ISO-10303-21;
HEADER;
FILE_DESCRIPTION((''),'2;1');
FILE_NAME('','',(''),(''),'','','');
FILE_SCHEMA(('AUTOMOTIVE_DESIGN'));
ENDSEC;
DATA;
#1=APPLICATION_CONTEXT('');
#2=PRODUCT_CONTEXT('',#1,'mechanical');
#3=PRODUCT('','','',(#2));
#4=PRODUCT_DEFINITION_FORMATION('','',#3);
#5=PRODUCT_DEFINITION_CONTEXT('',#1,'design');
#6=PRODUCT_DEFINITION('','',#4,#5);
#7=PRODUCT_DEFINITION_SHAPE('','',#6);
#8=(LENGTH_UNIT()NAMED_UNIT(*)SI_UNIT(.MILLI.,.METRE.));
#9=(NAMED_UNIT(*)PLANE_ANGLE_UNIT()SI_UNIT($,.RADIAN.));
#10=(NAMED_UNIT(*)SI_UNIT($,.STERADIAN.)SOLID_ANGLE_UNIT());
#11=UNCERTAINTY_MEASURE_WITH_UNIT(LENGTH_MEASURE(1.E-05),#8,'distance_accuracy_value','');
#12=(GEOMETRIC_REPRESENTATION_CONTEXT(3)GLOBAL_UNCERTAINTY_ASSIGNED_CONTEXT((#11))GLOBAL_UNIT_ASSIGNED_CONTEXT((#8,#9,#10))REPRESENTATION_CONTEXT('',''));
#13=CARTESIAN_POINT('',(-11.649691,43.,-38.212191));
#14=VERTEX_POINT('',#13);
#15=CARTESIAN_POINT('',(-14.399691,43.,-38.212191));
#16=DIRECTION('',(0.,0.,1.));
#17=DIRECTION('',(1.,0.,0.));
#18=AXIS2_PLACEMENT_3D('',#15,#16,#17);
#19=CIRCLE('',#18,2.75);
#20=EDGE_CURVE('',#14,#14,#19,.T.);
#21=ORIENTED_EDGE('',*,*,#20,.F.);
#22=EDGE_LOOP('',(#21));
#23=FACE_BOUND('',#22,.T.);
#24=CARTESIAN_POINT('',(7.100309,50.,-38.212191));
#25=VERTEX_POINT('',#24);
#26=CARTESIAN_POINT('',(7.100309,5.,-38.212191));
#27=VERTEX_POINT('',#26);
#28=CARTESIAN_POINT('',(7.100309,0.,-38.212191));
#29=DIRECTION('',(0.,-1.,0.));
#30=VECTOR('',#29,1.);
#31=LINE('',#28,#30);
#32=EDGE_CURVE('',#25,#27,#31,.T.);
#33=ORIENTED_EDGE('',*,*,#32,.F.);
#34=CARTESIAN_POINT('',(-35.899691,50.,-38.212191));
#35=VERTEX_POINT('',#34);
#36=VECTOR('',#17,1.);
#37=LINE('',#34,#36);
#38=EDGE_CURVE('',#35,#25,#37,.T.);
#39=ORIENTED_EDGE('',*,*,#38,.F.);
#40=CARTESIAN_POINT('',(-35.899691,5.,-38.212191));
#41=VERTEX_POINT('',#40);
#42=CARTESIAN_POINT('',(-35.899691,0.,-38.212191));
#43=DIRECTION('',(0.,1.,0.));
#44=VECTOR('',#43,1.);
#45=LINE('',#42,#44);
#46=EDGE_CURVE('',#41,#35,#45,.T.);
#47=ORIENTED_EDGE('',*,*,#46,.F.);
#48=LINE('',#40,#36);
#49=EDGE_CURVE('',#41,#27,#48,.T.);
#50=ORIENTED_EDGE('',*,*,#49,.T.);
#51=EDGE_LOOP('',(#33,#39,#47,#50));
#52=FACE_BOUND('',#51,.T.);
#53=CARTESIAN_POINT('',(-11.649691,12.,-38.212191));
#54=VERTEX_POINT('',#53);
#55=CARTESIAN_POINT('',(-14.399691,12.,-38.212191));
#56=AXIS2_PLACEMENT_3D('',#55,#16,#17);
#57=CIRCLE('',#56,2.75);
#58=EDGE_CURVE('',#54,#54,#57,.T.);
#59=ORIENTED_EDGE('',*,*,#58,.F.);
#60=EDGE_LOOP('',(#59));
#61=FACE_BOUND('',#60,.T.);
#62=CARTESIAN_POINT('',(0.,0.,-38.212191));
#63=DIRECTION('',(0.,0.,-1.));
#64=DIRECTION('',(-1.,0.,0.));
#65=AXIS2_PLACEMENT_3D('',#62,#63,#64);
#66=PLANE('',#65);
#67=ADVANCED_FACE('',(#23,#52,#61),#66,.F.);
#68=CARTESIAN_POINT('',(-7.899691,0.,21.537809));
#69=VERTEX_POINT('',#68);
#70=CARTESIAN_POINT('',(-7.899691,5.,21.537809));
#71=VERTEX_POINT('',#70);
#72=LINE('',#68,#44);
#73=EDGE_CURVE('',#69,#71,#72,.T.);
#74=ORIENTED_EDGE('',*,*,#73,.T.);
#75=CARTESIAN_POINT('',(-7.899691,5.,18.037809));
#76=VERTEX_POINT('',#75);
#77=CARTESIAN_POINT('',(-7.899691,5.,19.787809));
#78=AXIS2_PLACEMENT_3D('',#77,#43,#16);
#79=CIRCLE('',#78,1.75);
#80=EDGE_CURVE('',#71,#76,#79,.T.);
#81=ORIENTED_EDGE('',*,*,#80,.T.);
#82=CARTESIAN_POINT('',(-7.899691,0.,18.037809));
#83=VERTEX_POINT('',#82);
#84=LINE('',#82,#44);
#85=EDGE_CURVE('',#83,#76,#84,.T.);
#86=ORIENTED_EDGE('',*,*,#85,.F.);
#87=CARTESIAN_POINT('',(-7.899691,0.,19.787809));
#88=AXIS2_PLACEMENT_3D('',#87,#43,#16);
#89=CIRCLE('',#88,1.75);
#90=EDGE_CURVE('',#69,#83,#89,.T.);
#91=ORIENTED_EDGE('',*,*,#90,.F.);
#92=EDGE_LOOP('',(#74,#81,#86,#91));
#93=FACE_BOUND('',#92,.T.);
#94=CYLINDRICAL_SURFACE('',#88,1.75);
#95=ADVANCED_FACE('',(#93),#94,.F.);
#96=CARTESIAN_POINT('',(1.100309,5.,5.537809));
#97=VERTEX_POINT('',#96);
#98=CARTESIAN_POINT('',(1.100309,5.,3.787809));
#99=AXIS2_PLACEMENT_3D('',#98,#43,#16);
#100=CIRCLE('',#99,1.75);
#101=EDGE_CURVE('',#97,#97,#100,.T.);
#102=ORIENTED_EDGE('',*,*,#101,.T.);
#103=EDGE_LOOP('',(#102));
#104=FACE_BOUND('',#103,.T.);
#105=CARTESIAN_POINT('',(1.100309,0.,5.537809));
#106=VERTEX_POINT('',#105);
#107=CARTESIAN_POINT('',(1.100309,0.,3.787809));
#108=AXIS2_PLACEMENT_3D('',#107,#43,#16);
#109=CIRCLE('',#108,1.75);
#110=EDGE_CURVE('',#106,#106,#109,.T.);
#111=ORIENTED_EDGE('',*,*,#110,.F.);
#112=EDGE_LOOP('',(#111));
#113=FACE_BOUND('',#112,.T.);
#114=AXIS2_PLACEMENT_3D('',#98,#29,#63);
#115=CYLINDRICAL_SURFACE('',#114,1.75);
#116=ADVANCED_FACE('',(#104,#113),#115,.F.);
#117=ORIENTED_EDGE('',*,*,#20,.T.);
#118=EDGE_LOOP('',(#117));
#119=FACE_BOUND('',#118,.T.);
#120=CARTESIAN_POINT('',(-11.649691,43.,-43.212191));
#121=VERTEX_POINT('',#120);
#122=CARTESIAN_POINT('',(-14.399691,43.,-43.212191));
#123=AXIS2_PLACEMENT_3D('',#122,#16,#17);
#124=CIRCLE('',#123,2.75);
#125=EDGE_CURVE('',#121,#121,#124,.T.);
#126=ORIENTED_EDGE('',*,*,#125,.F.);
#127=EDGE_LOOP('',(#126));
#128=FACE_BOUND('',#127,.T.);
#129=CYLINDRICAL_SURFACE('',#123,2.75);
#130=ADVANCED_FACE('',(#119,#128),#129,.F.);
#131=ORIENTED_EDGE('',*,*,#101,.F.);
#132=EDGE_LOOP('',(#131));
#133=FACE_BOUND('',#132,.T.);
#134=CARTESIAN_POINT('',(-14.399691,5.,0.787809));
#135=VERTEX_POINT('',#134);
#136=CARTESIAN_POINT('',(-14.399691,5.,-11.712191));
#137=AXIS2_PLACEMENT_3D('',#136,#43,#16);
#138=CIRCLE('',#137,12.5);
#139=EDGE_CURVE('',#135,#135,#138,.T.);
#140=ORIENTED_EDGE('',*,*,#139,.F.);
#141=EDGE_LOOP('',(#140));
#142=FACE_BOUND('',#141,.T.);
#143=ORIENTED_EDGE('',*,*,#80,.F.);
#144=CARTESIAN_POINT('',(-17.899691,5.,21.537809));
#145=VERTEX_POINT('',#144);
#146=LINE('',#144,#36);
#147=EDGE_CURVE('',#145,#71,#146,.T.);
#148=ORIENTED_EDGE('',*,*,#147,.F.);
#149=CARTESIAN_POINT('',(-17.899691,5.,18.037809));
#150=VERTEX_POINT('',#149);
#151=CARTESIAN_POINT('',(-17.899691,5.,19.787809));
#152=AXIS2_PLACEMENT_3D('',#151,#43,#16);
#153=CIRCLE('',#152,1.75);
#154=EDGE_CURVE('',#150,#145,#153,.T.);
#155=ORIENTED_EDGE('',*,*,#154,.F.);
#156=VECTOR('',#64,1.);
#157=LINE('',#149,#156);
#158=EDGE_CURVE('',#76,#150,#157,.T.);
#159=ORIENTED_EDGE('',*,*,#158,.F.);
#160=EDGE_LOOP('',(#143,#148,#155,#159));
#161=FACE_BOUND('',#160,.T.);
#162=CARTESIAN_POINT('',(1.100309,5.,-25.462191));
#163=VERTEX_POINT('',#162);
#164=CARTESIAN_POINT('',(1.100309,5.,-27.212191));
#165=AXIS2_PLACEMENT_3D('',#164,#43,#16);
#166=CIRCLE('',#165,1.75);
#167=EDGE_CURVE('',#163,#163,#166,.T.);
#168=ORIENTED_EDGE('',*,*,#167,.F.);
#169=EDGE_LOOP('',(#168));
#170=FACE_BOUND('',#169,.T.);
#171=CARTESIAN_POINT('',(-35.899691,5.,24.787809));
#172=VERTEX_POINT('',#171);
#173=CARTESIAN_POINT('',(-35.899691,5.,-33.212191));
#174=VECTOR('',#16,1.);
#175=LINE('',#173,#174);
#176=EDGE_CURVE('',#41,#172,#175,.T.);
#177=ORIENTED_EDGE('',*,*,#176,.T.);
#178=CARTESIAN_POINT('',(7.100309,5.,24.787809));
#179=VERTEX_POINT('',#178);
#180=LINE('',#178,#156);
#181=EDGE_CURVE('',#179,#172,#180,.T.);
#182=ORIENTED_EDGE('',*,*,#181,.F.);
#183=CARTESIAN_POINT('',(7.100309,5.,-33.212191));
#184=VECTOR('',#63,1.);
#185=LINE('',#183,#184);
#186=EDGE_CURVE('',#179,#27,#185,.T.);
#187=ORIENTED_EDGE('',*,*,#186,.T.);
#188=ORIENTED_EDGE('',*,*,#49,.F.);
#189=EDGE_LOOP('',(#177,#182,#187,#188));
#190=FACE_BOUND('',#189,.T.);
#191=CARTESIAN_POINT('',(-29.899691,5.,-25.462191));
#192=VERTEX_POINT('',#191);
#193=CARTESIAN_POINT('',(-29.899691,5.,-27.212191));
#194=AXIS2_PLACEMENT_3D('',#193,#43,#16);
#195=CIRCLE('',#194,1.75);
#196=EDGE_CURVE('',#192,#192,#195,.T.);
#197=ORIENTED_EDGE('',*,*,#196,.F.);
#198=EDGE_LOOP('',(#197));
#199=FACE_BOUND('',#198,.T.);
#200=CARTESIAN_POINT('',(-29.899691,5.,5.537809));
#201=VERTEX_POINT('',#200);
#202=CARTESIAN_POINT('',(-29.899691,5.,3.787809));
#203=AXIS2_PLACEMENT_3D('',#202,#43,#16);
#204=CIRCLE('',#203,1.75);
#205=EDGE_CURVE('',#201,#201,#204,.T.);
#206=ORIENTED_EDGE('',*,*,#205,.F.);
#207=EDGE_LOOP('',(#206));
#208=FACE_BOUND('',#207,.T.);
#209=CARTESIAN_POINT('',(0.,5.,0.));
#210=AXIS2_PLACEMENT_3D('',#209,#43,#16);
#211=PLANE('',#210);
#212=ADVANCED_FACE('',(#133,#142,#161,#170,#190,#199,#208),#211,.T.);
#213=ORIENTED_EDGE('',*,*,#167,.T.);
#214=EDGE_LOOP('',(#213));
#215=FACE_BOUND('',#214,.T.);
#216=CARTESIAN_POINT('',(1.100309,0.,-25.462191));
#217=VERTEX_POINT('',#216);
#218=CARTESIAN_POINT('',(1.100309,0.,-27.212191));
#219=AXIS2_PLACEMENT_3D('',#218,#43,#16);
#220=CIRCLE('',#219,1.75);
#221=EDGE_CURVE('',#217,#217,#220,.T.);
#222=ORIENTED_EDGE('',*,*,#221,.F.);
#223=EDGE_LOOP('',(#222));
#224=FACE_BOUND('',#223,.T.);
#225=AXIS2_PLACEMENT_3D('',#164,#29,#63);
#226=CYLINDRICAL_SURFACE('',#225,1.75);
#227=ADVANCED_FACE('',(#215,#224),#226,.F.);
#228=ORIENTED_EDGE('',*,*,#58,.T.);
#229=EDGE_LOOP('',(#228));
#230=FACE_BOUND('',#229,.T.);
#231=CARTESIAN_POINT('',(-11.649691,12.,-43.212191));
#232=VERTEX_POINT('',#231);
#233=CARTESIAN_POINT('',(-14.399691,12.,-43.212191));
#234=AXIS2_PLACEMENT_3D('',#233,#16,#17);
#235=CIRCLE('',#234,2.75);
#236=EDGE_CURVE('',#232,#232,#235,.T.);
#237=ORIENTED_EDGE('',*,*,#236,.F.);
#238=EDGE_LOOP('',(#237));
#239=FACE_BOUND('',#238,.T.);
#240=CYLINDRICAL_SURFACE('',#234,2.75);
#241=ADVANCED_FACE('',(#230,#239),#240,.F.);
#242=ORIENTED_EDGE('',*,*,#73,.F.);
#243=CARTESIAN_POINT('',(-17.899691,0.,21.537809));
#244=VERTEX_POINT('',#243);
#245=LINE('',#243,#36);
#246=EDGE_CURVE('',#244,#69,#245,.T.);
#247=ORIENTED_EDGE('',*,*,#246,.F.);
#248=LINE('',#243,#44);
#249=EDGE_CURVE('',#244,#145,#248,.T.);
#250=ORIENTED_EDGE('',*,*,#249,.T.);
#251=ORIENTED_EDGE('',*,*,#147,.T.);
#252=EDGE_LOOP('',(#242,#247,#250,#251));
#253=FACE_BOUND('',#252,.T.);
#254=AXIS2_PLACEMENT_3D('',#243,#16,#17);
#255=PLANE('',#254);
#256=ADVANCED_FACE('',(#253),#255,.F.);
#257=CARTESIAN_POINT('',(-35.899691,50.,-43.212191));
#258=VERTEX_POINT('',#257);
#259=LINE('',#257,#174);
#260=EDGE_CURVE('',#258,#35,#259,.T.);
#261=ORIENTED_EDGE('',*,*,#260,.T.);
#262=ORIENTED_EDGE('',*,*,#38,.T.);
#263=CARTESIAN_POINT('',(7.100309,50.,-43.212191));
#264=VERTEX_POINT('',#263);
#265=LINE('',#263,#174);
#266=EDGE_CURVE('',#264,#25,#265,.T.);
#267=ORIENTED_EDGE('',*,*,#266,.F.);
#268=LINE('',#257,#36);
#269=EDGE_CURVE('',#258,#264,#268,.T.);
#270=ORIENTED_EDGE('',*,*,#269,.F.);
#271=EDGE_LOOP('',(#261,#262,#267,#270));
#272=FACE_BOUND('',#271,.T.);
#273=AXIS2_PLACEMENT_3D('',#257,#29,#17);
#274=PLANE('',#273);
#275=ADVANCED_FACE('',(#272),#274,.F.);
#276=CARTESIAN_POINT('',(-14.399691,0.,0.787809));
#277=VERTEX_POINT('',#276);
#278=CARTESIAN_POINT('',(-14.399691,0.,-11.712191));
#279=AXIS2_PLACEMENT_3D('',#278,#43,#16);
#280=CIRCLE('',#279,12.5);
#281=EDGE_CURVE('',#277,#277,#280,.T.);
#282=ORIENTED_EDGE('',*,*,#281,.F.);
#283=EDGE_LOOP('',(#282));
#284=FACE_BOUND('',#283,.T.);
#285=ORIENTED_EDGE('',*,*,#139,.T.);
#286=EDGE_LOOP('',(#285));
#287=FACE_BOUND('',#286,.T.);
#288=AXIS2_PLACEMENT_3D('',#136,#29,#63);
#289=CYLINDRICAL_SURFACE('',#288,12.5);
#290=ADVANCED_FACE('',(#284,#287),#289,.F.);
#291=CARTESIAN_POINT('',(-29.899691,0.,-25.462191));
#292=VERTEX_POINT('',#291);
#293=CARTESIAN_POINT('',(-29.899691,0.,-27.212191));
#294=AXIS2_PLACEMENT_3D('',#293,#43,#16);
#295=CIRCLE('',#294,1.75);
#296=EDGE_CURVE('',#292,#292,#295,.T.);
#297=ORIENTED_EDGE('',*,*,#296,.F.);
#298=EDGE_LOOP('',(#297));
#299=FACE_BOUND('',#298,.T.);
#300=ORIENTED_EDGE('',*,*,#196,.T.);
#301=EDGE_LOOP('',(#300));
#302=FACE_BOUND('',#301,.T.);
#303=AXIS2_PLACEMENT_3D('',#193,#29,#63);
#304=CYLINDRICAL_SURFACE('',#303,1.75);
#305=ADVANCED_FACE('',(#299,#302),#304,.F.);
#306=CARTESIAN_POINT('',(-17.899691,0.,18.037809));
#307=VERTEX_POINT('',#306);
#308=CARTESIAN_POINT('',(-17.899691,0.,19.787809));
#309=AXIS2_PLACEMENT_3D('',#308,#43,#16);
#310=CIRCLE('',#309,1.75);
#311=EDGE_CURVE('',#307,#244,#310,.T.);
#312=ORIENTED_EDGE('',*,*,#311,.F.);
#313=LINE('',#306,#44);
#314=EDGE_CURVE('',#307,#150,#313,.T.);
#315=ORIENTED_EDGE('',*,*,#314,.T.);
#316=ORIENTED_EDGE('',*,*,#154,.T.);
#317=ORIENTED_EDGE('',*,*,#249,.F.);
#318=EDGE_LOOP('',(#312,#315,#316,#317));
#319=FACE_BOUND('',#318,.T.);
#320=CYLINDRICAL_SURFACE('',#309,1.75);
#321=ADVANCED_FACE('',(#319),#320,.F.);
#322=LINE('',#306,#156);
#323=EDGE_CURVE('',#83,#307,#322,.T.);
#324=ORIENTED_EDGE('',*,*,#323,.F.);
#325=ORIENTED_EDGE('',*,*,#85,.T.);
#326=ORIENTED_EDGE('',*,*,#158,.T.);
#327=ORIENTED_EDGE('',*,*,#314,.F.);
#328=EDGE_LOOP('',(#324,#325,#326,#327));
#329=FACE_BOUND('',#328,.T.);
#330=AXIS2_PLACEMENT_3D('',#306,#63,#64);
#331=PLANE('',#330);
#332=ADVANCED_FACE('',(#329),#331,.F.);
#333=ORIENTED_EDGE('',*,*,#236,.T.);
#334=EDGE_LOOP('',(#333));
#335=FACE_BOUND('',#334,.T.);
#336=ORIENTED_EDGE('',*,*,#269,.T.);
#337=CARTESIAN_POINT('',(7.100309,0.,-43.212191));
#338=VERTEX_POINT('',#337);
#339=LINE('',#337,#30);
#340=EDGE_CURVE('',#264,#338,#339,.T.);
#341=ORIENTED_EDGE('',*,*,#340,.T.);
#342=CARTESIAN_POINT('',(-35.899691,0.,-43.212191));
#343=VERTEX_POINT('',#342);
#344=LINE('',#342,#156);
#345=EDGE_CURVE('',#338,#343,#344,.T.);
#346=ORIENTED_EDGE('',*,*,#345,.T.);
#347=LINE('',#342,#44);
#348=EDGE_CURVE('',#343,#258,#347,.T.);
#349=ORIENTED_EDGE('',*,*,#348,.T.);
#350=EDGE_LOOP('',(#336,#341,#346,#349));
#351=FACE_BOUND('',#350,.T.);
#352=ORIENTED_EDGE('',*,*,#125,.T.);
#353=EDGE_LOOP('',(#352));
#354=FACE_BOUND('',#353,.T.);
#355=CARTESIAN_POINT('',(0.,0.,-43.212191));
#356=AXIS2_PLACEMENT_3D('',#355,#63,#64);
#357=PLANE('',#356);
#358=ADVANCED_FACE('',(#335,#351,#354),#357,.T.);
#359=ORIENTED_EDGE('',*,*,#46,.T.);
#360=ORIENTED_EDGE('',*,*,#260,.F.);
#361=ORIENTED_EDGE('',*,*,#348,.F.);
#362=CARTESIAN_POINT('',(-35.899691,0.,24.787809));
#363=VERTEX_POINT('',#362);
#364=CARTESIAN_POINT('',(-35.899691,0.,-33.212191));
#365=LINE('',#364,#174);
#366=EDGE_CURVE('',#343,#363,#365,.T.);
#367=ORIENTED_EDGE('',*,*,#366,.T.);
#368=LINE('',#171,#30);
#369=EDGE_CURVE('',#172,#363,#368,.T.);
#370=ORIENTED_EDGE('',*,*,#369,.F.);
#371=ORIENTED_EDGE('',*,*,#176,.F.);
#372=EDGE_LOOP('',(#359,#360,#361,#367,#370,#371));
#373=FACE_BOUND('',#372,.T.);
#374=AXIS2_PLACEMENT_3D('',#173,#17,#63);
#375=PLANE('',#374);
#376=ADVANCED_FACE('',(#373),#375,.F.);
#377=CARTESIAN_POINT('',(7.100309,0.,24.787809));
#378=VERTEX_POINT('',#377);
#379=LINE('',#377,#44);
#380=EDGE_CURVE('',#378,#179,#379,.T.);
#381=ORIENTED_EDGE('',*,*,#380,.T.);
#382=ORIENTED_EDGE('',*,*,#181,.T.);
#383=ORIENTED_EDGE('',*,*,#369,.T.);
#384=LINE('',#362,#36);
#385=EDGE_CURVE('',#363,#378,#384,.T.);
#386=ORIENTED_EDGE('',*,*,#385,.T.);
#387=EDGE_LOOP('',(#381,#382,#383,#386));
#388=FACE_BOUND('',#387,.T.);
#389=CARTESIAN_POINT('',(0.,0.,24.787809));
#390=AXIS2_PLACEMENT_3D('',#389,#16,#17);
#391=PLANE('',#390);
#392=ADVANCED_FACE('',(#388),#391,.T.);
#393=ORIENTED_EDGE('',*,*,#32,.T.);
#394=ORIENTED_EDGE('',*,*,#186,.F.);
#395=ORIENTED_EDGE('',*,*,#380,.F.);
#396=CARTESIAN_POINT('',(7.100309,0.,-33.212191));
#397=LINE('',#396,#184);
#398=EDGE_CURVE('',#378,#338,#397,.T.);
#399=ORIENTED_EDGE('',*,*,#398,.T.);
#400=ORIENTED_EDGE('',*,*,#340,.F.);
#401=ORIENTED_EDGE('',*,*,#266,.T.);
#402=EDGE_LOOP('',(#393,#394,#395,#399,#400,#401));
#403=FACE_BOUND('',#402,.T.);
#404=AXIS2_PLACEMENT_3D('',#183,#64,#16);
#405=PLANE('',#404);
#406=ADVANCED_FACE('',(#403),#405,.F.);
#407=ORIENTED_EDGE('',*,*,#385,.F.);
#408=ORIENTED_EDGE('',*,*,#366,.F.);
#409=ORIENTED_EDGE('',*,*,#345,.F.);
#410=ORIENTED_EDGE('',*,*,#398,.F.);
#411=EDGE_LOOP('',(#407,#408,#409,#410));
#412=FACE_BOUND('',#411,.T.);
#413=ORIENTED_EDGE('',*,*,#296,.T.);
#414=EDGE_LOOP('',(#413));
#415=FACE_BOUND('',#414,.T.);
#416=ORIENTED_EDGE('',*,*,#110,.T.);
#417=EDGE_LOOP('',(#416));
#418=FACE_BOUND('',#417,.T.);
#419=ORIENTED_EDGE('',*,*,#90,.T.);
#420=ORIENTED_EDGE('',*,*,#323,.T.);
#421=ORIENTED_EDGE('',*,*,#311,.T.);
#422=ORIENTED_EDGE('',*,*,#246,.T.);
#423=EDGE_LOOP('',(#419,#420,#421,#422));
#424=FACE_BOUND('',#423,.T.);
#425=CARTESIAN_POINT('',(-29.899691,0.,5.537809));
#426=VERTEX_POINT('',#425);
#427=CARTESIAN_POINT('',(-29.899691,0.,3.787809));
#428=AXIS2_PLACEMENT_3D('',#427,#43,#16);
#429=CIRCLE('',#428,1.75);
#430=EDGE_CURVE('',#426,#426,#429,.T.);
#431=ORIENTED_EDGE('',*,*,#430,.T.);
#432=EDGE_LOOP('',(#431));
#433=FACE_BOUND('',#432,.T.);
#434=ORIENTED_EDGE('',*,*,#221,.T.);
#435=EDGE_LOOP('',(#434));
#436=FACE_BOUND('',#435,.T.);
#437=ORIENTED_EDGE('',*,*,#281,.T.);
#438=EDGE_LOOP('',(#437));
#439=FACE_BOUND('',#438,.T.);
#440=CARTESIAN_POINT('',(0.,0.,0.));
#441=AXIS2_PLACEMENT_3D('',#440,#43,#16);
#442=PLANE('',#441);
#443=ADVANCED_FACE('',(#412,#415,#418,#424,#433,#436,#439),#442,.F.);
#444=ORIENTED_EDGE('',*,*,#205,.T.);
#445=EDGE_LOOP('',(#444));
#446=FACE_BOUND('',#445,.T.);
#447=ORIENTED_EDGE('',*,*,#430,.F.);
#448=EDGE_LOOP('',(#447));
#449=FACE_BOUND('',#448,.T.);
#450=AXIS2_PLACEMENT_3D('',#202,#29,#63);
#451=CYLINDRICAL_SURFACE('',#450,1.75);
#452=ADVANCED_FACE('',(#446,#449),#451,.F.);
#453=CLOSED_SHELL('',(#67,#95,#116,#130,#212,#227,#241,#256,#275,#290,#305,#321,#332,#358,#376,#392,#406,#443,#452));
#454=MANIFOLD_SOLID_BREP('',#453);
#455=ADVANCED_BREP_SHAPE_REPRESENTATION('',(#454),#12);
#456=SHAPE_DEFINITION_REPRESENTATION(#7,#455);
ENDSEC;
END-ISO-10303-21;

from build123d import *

# Parameters (mm, degrees)
SKETCH_1_W          = 43
SKETCH_1_H          = 43
SKETCH_1_R          = 1.75
SKETCH_1_R_2        = 12.5
EXTRUDE_1_DEPTH     = 5
SKETCH_3_W          = 43
SKETCH_3_H          = 5
EXTRUDE_2_DEPTH     = 5
SKETCH_4_W          = 43
SKETCH_4_H          = 50
EXTRUDE_3_DEPTH     = 5
SKETCH_5_R          = 2.75
CUT_EXTRUDE_1_DEPTH = 79.056311978
SKETCH_6_W          = 43
SKETCH_6_H          = 5
EXTRUDE_4_DEPTH     = 15
CUT_EXTRUDE_2_DEPTH = 72.979728546


with BuildPart() as part:
    # 草图1 → 凸台-拉伸1 (new body)
    with BuildSketch(Plane(origin=(0, 0, 0), x_dir=(1, 0, 0), z_dir=(0, 1, 0))):
        with Locations((-14.399691358, 11.712191358)):
            Rectangle(SKETCH_1_W, SKETCH_1_H)
        with Locations(Location((1.100308642, 27.212191358, 0), (0, 0, 270))):
            Circle(SKETCH_1_R, mode=Mode.SUBTRACT)
        with Locations(Location((-29.899691358, 27.212191358, 0), (0, 0, 270))):
            Circle(SKETCH_1_R, mode=Mode.SUBTRACT)
        with Locations(Location((-29.899691358, -3.787808642, 0), (0, 0, 270))):
            Circle(SKETCH_1_R, mode=Mode.SUBTRACT)
        with Locations(Location((1.100308642, -3.787808642, 0), (0, 0, 270))):
            Circle(SKETCH_1_R, mode=Mode.SUBTRACT)
        with Locations(Location((-14.399691358, 11.712191358, 0), (0, 0, 270))):
            Circle(SKETCH_1_R_2, mode=Mode.SUBTRACT)
    extrude(amount=EXTRUDE_1_DEPTH)

    # 草图3 → 凸台-拉伸2 (add)
    with BuildSketch(Plane(origin=(0, 0, -33.212191358), x_dir=(-1, 0, 0), z_dir=(0, 0, -1))):
        with Locations((14.399691358, 2.5)):
            Rectangle(SKETCH_3_W, SKETCH_3_H)
    extrude(amount=EXTRUDE_2_DEPTH)

    # 草图4 → 凸台-拉伸3 (add)
    with BuildSketch(Plane(origin=(0, 0, -38.212191358), x_dir=(-1, 0, 0), z_dir=(0, 0, -1))):
        with Locations((14.399691358, 25)):
            Rectangle(SKETCH_4_W, SKETCH_4_H)
    extrude(amount=EXTRUDE_3_DEPTH)

    # 草图5 → 切除-拉伸1 (cut, through all)
    with BuildSketch(Plane.XY.offset(-38.212191358)):
        with Locations((-14.399691358, 43)):
            Circle(SKETCH_5_R)
        with Locations((-14.399691358, 12)):
            Circle(SKETCH_5_R)
    extrude(amount=-CUT_EXTRUDE_1_DEPTH, mode=Mode.SUBTRACT)

    # 草图6 → 凸台-拉伸4 (add)
    with BuildSketch(Plane.XY.offset(9.787808642)):
        with Locations((-14.399691358, 2.5)):
            Rectangle(SKETCH_6_W, SKETCH_6_H)
    extrude(amount=EXTRUDE_4_DEPTH)

    # 草图7 → 切除-拉伸2 (cut, through all)
    with BuildSketch(Plane(origin=(0, 5, 0), x_dir=(1, 0, 0), z_dir=(0, 1, 0))):
        with BuildLine():
            Line((-17.899691358, -18.037808642), (-7.899691358, -18.037808642))
            ThreePointArc((-7.899691358, -18.037808642), (-6.149691358, -19.787808642), (-7.899691358, -21.537808642))
            Line((-7.899691358, -21.537808642), (-17.899691358, -21.537808642))
            ThreePointArc((-17.899691358, -21.537808642), (-19.649691358, -19.787808642), (-17.899691358, -18.037808642))
        make_face()
    extrude(amount=-CUT_EXTRUDE_2_DEPTH, mode=Mode.SUBTRACT)


solid = part.part
